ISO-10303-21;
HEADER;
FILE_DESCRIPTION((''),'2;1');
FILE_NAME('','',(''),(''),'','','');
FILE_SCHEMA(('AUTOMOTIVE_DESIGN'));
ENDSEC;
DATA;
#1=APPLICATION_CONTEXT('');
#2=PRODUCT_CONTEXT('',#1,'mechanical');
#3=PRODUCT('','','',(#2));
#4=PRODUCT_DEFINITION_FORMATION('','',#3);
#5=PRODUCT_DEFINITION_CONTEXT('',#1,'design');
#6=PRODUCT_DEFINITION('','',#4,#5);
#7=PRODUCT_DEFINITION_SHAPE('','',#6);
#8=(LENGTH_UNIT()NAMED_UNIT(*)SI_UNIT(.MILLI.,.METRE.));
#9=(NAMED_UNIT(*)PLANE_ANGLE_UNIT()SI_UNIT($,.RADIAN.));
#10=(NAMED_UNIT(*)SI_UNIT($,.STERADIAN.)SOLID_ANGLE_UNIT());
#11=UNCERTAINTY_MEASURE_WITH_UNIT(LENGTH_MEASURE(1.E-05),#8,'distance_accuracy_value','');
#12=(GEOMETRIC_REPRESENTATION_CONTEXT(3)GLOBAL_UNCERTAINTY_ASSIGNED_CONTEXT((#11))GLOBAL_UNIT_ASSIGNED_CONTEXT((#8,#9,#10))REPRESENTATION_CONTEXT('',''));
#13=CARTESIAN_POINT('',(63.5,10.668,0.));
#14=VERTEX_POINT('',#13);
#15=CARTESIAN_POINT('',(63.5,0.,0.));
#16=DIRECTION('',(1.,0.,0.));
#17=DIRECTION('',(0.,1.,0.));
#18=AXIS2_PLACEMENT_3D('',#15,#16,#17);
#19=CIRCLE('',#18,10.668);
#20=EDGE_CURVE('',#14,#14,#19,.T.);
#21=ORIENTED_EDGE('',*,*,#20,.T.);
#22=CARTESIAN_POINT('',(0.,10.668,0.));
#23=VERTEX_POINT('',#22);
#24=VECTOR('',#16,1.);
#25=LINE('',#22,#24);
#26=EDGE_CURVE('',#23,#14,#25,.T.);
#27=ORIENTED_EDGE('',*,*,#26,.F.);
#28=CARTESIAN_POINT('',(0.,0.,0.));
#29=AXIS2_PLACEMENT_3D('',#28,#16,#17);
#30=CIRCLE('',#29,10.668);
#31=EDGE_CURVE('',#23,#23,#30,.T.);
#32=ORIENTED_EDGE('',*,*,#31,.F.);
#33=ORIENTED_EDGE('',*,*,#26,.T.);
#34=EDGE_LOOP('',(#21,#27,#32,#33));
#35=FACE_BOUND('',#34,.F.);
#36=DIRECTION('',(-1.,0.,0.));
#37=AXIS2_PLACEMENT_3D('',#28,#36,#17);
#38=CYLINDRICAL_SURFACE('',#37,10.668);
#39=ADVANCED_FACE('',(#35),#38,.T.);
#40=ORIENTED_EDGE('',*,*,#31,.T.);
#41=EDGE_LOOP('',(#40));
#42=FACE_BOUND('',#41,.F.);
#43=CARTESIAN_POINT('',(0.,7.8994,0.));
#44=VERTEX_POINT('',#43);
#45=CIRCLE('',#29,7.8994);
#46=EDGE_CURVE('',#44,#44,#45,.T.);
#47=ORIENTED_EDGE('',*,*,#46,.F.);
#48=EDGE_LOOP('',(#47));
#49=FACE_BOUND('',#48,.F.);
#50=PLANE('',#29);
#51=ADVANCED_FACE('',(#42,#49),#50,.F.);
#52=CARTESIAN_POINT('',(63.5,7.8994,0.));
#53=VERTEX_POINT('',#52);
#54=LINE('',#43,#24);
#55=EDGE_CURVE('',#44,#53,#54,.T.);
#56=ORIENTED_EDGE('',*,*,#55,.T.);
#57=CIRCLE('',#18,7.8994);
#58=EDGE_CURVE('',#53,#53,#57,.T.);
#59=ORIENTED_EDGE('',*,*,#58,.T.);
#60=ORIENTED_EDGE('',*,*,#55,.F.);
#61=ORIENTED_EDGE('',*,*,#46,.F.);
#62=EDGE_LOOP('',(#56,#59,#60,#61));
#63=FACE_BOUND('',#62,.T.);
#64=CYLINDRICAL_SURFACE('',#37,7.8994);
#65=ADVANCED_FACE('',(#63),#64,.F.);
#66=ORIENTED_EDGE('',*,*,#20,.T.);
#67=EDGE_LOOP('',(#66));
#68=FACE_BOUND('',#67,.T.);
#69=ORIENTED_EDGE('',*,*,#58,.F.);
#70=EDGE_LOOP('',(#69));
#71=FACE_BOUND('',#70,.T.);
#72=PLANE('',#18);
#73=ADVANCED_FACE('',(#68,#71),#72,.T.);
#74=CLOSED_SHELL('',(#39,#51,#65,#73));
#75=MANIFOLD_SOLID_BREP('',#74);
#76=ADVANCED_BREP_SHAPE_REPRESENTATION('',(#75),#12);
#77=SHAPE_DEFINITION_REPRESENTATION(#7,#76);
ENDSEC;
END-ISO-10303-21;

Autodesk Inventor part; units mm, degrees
ref_plane "YZ Plane" through (0, 0, 0) normal (1, 0, 0) x (0, 1, 0)
ref_plane "XZ Plane" through (0, 0, 0) normal (0, 1, 0) x (-1, 0, 0)
ref_plane "XY Plane" through (0, 0, 0) normal (0, 0, 1) x (1, 0, 0)
sketch "Sketch1" plane through (0, 0, 0) normal (1, 0, 0) x (0, 1, 0)
  circle A0 centre (0, 0) radius 7.8994
  circle A1 centre (0, 0) radius 10.668
  dimension "d0" = 21.336
  dimension "d1" = 2.7686
extrude "Extrusion1" add sketch "Sketch1" along normal blind 63.5
equation "\"d0\" = OD"
equation "\"d1\" = t"
equation "\"d2\" = L"
equation "\"OD\" = 21.336"
equation "\"t\" = 2.7686"
equation "\"L\" = PL"
equation "\"ID\" = 15.7988"
equation "\"PL\" = 63.5"
equation "\"Size_Designation\" = 1.2345"
properties material "PVC-Piping"
